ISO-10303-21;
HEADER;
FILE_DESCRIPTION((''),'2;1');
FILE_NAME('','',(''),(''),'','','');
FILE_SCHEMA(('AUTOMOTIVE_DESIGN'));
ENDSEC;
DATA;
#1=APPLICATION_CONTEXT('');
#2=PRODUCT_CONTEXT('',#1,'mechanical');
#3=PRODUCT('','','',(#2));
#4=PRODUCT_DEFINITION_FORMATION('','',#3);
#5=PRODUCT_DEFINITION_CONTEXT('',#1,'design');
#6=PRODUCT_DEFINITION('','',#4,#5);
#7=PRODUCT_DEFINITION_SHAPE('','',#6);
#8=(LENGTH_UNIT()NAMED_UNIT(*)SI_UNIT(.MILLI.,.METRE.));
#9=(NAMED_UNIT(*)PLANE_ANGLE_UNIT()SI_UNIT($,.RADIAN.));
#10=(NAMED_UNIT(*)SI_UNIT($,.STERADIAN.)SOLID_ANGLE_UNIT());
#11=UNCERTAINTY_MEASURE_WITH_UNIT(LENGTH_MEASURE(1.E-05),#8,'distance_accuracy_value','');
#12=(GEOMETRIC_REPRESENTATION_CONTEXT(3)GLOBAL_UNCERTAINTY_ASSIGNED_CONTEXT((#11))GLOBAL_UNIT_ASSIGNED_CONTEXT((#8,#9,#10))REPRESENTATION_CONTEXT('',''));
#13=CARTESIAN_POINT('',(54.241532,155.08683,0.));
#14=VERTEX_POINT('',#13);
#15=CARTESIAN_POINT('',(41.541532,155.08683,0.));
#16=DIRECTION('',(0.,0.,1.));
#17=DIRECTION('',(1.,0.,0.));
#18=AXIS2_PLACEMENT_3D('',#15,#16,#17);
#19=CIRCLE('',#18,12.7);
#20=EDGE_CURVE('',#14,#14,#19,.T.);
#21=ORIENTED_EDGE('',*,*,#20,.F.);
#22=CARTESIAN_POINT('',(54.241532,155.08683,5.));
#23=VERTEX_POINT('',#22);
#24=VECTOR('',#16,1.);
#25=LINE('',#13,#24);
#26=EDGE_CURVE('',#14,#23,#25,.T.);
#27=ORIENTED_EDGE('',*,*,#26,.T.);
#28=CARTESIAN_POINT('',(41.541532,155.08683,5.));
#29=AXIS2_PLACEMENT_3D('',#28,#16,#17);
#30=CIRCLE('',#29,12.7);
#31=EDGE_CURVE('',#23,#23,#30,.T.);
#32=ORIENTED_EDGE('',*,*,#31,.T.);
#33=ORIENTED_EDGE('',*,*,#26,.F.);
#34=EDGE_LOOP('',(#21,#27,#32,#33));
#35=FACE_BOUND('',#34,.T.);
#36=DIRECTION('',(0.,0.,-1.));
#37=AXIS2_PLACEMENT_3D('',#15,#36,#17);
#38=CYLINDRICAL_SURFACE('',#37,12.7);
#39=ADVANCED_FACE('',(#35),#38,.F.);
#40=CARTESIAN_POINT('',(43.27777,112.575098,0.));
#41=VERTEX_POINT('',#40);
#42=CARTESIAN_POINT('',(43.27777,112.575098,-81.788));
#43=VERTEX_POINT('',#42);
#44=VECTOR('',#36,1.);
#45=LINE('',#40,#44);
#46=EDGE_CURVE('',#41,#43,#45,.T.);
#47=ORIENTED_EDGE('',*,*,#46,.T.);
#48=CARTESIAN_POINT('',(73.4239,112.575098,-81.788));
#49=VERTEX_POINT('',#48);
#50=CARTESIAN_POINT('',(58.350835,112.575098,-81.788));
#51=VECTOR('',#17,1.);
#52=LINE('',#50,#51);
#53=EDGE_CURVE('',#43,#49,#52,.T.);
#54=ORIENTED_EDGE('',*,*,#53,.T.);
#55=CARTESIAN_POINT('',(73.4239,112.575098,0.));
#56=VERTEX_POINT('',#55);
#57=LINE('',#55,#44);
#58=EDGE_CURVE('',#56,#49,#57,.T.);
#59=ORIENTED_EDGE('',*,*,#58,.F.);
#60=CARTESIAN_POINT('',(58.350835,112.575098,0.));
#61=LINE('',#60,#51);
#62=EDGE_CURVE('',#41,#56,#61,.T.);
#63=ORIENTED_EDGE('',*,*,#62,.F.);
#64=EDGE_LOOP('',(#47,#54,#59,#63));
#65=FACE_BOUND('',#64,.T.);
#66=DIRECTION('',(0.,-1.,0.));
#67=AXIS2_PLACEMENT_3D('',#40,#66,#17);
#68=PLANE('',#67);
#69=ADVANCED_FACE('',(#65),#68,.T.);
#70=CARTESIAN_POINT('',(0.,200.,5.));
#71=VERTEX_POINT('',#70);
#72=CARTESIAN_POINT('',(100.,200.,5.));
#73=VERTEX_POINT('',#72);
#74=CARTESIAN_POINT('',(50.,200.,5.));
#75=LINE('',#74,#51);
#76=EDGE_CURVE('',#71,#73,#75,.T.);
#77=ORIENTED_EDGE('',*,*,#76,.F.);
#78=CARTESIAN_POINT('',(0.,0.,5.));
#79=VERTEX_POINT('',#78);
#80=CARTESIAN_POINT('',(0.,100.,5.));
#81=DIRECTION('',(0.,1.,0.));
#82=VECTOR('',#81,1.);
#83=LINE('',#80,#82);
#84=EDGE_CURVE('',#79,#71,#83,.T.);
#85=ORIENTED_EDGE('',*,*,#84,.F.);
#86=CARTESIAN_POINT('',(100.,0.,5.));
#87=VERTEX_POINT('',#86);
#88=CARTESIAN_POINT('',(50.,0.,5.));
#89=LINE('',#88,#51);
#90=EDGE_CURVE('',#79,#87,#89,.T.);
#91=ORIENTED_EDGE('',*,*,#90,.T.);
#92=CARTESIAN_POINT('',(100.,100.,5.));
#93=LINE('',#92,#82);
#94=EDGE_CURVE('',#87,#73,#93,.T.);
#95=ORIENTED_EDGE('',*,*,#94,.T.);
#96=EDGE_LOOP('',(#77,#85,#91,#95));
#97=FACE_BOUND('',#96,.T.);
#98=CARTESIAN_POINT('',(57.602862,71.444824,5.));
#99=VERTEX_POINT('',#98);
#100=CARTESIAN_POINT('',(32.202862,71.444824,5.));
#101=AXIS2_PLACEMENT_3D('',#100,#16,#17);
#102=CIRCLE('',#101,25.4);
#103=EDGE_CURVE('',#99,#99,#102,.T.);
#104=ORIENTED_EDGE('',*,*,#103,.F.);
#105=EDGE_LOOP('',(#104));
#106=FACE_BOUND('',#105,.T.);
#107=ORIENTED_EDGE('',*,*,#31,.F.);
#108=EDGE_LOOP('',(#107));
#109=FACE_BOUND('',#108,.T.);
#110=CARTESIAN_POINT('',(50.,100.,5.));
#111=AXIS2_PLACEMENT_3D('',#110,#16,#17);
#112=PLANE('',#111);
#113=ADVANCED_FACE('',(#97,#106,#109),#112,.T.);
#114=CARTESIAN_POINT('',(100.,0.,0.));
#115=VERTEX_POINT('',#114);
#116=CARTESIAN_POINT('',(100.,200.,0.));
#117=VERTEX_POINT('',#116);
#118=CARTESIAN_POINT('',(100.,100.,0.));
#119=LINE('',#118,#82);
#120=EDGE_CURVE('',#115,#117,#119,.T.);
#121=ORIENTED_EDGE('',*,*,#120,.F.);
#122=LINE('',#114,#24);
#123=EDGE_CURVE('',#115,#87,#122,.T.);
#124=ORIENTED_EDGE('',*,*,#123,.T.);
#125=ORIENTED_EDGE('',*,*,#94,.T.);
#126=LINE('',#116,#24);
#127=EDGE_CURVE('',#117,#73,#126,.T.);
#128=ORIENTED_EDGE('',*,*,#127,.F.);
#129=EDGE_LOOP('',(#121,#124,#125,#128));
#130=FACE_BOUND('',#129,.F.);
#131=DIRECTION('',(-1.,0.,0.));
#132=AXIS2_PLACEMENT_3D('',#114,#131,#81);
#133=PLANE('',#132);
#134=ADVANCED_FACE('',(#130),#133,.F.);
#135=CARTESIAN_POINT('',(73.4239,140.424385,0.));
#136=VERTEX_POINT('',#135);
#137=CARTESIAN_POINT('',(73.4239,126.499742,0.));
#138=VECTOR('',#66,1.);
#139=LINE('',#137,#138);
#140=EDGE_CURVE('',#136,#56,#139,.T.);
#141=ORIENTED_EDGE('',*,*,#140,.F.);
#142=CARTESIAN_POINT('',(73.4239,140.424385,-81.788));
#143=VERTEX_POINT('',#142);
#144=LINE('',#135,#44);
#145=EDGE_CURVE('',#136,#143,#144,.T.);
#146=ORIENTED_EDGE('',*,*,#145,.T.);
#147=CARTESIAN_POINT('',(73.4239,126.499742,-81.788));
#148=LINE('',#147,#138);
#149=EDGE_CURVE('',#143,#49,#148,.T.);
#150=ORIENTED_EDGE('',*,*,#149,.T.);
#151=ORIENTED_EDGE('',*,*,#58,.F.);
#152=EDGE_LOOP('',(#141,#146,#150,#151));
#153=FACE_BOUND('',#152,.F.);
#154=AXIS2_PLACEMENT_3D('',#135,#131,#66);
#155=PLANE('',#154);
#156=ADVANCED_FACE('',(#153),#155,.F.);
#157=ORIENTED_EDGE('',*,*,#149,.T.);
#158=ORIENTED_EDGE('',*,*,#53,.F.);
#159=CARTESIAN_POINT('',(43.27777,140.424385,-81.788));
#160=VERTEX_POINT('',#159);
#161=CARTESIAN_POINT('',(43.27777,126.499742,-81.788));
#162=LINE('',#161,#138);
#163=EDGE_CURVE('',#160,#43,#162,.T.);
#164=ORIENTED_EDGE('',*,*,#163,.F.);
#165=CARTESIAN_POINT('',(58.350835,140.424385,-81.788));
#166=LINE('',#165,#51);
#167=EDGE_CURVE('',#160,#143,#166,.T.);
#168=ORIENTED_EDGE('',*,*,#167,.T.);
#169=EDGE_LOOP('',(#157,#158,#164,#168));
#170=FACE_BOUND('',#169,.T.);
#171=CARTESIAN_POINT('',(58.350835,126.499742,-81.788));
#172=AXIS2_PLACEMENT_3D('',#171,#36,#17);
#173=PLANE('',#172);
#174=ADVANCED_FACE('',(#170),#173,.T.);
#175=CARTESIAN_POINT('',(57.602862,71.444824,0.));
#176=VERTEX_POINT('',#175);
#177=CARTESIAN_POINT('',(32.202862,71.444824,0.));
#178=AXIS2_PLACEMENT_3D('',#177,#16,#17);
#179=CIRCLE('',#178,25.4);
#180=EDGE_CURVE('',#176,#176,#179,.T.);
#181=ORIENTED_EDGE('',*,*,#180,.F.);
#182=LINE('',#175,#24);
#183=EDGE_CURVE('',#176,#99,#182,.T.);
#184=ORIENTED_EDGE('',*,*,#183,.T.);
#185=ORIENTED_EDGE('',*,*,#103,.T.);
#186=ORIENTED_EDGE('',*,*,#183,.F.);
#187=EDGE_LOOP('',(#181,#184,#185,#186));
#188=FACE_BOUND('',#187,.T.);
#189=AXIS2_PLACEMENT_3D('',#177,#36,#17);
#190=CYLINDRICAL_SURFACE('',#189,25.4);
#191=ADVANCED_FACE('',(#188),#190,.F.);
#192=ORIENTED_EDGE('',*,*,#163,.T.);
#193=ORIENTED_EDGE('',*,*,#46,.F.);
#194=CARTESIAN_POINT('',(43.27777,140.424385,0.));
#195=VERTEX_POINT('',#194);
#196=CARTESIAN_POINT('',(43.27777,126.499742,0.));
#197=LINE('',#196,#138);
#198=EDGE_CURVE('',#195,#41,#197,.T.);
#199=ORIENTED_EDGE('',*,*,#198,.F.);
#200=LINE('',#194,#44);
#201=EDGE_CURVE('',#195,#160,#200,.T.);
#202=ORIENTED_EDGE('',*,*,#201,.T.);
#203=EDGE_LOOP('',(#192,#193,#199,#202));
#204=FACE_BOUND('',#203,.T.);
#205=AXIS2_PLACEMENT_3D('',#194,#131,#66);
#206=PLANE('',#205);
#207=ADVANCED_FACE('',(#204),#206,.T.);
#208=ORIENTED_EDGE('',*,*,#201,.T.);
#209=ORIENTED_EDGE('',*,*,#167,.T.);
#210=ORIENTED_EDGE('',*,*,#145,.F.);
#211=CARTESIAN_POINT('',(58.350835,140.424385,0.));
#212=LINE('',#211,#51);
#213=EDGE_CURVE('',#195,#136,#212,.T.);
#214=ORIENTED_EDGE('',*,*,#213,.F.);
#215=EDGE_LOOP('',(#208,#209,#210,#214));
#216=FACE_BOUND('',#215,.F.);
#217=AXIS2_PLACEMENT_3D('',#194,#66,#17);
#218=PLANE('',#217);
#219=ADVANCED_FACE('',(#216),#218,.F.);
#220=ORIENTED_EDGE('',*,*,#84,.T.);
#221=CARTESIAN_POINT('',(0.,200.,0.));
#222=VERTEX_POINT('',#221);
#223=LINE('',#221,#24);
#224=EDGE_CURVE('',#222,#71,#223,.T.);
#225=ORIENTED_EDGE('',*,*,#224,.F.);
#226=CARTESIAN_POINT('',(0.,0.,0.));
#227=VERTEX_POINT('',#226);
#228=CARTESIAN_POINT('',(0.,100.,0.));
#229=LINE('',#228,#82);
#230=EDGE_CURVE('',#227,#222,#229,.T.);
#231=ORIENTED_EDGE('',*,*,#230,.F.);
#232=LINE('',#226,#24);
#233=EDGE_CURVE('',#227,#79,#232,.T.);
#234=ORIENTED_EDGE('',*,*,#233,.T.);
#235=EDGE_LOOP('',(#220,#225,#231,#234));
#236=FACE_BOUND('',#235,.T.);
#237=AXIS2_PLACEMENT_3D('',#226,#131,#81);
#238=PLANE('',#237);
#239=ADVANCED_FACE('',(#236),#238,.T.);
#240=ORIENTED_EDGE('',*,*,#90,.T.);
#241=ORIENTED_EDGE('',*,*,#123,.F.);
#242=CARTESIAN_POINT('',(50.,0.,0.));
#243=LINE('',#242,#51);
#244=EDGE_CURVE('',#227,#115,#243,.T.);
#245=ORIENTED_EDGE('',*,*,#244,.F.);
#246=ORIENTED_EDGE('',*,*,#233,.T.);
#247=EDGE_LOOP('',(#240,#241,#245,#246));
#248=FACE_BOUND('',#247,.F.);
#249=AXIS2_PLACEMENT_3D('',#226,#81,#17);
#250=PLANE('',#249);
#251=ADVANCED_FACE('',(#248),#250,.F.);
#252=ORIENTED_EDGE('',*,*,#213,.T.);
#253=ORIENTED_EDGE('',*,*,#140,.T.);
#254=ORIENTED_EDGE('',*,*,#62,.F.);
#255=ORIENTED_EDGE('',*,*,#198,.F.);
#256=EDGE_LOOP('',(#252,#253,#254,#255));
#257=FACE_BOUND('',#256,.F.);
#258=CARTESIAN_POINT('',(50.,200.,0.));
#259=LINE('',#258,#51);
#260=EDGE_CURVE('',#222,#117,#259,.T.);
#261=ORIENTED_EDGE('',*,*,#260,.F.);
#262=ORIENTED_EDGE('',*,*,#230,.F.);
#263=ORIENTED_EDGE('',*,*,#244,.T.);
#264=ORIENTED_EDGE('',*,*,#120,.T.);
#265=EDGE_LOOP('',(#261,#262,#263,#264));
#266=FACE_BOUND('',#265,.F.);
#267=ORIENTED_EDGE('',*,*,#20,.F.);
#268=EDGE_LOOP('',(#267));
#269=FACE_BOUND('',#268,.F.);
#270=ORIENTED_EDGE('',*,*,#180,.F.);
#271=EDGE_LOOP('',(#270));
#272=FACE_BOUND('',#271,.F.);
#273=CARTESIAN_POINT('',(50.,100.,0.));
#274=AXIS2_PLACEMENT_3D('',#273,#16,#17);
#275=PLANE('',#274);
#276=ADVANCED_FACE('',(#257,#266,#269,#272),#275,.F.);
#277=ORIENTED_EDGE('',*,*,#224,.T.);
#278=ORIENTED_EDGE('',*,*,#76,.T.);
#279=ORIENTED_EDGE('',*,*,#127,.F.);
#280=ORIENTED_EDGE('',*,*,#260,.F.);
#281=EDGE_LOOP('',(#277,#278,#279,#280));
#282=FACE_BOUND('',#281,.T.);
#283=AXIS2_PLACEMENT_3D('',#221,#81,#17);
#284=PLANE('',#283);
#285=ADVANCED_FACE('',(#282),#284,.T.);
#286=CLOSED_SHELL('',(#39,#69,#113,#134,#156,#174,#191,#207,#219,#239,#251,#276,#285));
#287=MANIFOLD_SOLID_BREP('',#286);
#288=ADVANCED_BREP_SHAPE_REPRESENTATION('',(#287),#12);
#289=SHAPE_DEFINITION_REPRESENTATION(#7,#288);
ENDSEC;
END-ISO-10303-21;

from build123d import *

# Parameters (mm, degrees)
F0_W     = 100
F0_H     = 200
F0_R     = 25.4
F0_R_2   = 12.7
F1_DEPTH = 5
F2_W     = 30.14613
F2_H     = 27.849287
F3_DEPTH = 81.788


with BuildPart() as f1:
    # F0 (on Top) → F1 (new body)
    with BuildSketch(Plane.XY):
        with Locations((50, 100)):
            Rectangle(F0_W, F0_H)
        with Locations((32.202862, 71.444824)):
            Circle(F0_R, mode=Mode.SUBTRACT)
        with Locations((41.541532, 155.08683)):
            Circle(F0_R_2, mode=Mode.SUBTRACT)
    extrude(amount=F1_DEPTH)

    # F2 (on face) → F3 (join)
    with BuildSketch(Plane(origin=(0, 0, 0), x_dir=(1, 0, 0), z_dir=(0, 0, -1))):
        with Locations((58.350835, -126.499742)):
            Rectangle(F2_W, F2_H)
    extrude(amount=F3_DEPTH)


solid = f1.part
